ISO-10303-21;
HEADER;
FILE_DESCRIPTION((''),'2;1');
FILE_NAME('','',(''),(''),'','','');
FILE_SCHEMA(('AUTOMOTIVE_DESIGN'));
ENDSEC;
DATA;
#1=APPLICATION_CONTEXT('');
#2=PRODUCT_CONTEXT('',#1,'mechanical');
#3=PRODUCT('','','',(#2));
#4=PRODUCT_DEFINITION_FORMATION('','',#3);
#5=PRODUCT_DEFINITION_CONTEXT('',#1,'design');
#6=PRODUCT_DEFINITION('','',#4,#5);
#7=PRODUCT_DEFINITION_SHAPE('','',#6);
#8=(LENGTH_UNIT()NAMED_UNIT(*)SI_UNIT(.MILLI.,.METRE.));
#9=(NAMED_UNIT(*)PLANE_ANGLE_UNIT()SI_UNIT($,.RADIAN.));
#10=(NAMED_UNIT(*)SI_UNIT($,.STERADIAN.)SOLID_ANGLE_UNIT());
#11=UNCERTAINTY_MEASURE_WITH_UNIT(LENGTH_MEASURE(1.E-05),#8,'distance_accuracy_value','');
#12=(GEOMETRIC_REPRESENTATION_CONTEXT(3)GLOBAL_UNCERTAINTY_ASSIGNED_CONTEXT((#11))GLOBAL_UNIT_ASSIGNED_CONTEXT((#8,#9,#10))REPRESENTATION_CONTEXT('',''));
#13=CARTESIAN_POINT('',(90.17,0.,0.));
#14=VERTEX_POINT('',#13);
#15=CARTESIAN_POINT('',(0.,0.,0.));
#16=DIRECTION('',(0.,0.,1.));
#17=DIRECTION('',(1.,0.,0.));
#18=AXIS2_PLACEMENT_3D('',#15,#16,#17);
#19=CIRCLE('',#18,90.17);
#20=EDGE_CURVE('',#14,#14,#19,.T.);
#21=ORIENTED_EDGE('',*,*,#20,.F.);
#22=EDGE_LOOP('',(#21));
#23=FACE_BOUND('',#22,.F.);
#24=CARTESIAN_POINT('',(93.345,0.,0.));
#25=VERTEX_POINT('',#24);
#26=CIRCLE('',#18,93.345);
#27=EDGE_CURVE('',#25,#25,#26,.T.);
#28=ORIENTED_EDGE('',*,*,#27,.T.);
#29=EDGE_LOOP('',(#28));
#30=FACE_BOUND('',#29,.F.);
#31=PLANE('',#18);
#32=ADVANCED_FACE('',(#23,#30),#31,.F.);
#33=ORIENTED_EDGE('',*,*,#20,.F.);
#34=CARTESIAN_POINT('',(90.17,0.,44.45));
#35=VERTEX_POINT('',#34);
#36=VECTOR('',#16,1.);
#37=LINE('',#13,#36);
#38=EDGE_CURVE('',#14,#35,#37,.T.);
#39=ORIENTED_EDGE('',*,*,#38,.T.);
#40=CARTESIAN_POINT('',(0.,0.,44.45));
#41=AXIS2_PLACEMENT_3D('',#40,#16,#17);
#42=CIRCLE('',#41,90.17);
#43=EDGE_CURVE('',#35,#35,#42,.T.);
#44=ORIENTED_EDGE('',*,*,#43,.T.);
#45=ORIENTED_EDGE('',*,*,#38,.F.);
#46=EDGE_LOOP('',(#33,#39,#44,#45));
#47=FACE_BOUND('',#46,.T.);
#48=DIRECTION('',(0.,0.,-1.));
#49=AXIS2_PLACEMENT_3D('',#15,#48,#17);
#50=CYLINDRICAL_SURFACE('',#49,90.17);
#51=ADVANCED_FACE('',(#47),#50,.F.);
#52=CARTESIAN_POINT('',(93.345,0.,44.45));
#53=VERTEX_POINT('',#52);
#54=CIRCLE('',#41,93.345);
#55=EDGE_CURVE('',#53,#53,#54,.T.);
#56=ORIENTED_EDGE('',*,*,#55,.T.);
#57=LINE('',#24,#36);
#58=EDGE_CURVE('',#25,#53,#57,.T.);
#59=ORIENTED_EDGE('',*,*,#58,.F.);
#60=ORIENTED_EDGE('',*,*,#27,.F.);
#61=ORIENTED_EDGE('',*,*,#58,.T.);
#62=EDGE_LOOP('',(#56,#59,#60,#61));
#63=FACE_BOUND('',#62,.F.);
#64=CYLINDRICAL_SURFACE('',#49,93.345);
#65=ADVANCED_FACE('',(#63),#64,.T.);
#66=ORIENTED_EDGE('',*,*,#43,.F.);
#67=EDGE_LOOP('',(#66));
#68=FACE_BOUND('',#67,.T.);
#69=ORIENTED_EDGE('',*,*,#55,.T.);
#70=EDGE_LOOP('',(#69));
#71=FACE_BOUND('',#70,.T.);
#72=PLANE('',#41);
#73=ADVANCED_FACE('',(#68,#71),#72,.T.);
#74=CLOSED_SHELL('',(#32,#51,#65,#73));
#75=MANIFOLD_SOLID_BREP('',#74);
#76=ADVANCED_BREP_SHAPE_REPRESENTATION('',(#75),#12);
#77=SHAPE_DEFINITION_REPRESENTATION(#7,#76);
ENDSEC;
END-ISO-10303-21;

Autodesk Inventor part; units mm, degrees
ref_plane "YZ Plane" through (0, 0, 0) normal (1, 0, 0) x (0, 1, 0)
ref_plane "XZ Plane" through (0, 0, 0) normal (0, 1, 0) x (-1, 0, 0)
ref_plane "XY Plane" through (0, 0, 0) normal (0, 0, 1) x (1, 0, 0)
sketch "Sketch1" plane through (0, 0, 0) normal (0, 0, 1) x (1, 0, 0)
  circle A0 centre (0, 0) radius 90.17
  circle A1 centre (0, 0) radius 93.345
  dimension "d0" = 180.34
  dimension "d1" = 3.175
extrude "Extrusion1" add sketch "Sketch1" along normal blind 44.45
properties part number "FlyWheel_TreadMount_Jan21" material "Aluminum-6061"
